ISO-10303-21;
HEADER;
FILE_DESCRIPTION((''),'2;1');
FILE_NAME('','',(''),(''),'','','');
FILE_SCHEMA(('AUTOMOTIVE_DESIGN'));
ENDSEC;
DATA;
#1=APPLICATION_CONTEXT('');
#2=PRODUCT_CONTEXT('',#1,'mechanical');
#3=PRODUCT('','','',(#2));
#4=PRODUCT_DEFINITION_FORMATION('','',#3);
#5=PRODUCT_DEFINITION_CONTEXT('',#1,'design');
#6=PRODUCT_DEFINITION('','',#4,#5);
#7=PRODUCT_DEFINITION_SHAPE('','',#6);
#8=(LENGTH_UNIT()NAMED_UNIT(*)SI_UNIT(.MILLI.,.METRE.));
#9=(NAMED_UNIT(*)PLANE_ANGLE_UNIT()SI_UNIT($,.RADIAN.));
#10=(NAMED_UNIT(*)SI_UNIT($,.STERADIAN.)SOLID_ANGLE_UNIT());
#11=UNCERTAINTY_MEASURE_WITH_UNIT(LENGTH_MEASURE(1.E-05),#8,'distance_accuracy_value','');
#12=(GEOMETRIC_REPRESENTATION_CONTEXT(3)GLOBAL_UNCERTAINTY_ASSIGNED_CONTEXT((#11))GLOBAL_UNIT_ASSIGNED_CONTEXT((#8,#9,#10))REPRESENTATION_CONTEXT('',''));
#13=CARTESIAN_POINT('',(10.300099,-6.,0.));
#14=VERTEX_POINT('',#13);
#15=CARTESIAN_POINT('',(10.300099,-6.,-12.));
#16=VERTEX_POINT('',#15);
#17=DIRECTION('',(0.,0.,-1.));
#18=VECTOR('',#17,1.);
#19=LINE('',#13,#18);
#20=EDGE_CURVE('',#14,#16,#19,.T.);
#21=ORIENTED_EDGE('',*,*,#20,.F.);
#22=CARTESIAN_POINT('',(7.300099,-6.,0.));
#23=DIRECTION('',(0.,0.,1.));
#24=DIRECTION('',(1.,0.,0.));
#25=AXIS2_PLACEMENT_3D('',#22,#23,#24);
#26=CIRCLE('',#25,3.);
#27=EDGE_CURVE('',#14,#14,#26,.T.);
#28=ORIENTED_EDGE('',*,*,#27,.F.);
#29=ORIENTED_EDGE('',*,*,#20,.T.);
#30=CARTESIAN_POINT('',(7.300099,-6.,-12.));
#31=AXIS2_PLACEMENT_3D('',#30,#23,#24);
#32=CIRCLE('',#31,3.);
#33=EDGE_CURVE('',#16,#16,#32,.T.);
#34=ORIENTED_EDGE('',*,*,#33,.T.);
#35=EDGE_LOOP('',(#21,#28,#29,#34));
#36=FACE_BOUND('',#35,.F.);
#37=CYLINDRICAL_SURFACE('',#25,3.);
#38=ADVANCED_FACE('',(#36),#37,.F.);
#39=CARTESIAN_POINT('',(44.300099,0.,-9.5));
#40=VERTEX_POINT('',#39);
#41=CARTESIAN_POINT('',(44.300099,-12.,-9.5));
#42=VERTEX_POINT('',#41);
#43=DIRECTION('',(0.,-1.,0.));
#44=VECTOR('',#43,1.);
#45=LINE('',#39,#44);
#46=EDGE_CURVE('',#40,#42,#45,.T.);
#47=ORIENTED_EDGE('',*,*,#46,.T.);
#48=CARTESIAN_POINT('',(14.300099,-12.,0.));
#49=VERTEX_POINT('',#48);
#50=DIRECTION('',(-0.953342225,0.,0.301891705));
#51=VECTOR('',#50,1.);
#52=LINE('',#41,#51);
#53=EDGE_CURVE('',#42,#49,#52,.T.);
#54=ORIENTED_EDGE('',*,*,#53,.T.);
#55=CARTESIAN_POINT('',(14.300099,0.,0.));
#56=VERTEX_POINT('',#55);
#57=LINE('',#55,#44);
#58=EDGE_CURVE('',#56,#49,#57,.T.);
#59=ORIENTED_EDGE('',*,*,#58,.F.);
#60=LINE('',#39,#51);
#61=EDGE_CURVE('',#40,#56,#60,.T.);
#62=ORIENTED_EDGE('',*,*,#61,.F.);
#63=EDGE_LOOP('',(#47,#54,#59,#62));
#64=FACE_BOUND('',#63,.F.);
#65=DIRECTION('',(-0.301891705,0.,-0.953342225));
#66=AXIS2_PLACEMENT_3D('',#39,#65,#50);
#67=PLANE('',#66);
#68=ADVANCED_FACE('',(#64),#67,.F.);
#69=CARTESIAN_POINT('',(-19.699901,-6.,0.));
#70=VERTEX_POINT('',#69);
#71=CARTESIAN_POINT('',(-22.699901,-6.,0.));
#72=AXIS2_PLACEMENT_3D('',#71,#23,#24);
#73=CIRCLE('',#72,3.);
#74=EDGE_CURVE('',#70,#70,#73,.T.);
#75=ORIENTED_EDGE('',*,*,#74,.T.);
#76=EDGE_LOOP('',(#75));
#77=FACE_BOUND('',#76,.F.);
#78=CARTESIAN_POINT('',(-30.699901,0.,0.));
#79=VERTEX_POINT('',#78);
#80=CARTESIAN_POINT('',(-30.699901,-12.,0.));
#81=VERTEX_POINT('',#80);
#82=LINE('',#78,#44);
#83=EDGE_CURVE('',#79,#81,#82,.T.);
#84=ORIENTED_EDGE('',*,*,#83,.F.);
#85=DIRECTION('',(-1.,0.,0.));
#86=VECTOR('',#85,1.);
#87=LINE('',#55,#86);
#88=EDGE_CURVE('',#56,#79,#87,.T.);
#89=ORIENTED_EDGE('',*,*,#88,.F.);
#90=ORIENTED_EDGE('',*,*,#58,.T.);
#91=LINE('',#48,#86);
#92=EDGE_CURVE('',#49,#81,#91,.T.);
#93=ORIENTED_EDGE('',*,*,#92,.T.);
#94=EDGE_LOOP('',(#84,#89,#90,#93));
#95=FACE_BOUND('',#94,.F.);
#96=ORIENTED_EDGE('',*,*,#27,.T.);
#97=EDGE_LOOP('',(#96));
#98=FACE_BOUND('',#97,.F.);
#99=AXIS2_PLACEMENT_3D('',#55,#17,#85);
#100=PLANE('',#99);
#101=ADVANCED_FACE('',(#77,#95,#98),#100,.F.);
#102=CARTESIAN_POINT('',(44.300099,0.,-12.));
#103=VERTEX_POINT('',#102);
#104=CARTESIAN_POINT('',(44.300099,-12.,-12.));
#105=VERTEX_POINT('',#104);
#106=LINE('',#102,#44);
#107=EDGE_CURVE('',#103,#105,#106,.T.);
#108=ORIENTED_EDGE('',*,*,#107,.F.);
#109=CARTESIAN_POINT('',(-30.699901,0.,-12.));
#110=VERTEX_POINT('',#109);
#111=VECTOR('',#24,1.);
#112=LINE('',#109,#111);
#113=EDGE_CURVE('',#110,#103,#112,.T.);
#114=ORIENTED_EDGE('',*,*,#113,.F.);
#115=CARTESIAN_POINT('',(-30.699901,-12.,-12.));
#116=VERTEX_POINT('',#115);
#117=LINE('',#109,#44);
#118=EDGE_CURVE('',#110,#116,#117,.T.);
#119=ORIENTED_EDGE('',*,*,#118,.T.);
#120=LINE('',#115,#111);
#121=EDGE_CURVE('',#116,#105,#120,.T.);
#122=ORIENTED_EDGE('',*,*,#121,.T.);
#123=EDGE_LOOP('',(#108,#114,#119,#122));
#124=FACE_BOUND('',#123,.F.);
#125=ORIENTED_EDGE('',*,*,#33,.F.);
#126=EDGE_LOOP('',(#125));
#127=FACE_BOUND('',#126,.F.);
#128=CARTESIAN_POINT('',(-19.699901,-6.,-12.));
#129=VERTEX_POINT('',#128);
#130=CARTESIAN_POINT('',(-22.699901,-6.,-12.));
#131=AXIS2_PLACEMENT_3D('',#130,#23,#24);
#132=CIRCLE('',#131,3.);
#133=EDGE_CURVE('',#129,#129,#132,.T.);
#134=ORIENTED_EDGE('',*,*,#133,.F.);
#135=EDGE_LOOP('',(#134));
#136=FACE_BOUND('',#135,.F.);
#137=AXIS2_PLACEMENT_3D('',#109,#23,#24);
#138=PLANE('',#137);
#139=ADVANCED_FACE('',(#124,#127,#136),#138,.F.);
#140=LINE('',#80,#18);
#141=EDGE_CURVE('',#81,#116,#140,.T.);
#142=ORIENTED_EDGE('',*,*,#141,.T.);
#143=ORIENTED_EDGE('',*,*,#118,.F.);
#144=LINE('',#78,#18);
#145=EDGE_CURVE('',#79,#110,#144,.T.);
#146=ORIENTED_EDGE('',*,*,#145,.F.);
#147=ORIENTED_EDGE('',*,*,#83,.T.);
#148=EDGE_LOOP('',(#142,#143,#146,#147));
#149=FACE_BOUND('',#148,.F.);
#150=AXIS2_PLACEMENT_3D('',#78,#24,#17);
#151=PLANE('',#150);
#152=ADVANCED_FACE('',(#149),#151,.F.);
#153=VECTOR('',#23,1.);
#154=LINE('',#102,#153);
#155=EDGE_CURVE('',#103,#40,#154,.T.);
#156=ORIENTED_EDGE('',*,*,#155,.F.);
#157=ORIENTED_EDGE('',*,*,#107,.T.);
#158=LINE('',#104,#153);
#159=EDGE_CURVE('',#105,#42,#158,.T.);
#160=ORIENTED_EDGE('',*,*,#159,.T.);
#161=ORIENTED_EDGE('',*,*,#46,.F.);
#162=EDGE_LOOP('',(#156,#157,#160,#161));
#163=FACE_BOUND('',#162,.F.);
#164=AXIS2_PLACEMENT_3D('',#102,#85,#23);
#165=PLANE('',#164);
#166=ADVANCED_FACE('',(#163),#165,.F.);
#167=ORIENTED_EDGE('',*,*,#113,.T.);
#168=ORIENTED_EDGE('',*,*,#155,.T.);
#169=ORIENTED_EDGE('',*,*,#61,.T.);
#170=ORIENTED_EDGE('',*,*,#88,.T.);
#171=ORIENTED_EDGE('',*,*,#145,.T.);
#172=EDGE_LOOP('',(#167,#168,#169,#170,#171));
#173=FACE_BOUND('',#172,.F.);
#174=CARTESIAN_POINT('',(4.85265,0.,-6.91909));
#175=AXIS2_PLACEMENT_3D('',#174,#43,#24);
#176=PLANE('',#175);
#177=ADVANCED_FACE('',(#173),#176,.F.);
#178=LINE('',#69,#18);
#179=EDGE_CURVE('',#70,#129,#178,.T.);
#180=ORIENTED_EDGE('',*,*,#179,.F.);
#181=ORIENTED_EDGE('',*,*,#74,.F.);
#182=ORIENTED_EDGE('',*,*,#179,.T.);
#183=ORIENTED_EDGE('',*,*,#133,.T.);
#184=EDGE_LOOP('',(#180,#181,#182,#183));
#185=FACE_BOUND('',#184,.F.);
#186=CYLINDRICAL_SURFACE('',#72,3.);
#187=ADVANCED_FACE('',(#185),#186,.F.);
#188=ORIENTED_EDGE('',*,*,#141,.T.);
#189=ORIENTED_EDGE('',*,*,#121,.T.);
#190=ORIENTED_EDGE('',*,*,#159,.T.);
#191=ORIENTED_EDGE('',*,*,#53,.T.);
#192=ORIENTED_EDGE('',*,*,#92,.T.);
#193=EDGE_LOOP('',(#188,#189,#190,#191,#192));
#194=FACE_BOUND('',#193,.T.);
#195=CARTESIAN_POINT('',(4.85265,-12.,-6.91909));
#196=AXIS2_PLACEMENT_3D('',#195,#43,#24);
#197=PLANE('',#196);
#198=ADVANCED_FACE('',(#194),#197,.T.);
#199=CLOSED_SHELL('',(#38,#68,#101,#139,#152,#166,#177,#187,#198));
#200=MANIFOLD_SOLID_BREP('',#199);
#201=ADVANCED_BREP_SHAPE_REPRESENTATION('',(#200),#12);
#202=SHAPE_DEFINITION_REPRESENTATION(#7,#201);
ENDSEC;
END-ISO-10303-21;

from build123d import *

# Parameters (mm, degrees)
F1_DEPTH = 12
F2_R     = 3
F3_DEPTH = 12.001


with BuildPart() as f1:
    # F0 (on Front) → F1 (new body)
    with BuildSketch(Plane.XZ):
        Polygon((-30.699901, 0), (-30.699901, -12), (44.300099, -12), (44.300099, -9.5), (14.300099, 0), align=None)
    extrude(amount=F1_DEPTH)

    # F2 (on face) → F3 (cut, through all)
    with BuildSketch(Plane.XY):
        with Locations((-22.699901, -6)):
            Circle(F2_R)
        with Locations((7.300099, -6)):
            Circle(F2_R)
    extrude(amount=-F3_DEPTH, mode=Mode.SUBTRACT)


solid = f1.part
